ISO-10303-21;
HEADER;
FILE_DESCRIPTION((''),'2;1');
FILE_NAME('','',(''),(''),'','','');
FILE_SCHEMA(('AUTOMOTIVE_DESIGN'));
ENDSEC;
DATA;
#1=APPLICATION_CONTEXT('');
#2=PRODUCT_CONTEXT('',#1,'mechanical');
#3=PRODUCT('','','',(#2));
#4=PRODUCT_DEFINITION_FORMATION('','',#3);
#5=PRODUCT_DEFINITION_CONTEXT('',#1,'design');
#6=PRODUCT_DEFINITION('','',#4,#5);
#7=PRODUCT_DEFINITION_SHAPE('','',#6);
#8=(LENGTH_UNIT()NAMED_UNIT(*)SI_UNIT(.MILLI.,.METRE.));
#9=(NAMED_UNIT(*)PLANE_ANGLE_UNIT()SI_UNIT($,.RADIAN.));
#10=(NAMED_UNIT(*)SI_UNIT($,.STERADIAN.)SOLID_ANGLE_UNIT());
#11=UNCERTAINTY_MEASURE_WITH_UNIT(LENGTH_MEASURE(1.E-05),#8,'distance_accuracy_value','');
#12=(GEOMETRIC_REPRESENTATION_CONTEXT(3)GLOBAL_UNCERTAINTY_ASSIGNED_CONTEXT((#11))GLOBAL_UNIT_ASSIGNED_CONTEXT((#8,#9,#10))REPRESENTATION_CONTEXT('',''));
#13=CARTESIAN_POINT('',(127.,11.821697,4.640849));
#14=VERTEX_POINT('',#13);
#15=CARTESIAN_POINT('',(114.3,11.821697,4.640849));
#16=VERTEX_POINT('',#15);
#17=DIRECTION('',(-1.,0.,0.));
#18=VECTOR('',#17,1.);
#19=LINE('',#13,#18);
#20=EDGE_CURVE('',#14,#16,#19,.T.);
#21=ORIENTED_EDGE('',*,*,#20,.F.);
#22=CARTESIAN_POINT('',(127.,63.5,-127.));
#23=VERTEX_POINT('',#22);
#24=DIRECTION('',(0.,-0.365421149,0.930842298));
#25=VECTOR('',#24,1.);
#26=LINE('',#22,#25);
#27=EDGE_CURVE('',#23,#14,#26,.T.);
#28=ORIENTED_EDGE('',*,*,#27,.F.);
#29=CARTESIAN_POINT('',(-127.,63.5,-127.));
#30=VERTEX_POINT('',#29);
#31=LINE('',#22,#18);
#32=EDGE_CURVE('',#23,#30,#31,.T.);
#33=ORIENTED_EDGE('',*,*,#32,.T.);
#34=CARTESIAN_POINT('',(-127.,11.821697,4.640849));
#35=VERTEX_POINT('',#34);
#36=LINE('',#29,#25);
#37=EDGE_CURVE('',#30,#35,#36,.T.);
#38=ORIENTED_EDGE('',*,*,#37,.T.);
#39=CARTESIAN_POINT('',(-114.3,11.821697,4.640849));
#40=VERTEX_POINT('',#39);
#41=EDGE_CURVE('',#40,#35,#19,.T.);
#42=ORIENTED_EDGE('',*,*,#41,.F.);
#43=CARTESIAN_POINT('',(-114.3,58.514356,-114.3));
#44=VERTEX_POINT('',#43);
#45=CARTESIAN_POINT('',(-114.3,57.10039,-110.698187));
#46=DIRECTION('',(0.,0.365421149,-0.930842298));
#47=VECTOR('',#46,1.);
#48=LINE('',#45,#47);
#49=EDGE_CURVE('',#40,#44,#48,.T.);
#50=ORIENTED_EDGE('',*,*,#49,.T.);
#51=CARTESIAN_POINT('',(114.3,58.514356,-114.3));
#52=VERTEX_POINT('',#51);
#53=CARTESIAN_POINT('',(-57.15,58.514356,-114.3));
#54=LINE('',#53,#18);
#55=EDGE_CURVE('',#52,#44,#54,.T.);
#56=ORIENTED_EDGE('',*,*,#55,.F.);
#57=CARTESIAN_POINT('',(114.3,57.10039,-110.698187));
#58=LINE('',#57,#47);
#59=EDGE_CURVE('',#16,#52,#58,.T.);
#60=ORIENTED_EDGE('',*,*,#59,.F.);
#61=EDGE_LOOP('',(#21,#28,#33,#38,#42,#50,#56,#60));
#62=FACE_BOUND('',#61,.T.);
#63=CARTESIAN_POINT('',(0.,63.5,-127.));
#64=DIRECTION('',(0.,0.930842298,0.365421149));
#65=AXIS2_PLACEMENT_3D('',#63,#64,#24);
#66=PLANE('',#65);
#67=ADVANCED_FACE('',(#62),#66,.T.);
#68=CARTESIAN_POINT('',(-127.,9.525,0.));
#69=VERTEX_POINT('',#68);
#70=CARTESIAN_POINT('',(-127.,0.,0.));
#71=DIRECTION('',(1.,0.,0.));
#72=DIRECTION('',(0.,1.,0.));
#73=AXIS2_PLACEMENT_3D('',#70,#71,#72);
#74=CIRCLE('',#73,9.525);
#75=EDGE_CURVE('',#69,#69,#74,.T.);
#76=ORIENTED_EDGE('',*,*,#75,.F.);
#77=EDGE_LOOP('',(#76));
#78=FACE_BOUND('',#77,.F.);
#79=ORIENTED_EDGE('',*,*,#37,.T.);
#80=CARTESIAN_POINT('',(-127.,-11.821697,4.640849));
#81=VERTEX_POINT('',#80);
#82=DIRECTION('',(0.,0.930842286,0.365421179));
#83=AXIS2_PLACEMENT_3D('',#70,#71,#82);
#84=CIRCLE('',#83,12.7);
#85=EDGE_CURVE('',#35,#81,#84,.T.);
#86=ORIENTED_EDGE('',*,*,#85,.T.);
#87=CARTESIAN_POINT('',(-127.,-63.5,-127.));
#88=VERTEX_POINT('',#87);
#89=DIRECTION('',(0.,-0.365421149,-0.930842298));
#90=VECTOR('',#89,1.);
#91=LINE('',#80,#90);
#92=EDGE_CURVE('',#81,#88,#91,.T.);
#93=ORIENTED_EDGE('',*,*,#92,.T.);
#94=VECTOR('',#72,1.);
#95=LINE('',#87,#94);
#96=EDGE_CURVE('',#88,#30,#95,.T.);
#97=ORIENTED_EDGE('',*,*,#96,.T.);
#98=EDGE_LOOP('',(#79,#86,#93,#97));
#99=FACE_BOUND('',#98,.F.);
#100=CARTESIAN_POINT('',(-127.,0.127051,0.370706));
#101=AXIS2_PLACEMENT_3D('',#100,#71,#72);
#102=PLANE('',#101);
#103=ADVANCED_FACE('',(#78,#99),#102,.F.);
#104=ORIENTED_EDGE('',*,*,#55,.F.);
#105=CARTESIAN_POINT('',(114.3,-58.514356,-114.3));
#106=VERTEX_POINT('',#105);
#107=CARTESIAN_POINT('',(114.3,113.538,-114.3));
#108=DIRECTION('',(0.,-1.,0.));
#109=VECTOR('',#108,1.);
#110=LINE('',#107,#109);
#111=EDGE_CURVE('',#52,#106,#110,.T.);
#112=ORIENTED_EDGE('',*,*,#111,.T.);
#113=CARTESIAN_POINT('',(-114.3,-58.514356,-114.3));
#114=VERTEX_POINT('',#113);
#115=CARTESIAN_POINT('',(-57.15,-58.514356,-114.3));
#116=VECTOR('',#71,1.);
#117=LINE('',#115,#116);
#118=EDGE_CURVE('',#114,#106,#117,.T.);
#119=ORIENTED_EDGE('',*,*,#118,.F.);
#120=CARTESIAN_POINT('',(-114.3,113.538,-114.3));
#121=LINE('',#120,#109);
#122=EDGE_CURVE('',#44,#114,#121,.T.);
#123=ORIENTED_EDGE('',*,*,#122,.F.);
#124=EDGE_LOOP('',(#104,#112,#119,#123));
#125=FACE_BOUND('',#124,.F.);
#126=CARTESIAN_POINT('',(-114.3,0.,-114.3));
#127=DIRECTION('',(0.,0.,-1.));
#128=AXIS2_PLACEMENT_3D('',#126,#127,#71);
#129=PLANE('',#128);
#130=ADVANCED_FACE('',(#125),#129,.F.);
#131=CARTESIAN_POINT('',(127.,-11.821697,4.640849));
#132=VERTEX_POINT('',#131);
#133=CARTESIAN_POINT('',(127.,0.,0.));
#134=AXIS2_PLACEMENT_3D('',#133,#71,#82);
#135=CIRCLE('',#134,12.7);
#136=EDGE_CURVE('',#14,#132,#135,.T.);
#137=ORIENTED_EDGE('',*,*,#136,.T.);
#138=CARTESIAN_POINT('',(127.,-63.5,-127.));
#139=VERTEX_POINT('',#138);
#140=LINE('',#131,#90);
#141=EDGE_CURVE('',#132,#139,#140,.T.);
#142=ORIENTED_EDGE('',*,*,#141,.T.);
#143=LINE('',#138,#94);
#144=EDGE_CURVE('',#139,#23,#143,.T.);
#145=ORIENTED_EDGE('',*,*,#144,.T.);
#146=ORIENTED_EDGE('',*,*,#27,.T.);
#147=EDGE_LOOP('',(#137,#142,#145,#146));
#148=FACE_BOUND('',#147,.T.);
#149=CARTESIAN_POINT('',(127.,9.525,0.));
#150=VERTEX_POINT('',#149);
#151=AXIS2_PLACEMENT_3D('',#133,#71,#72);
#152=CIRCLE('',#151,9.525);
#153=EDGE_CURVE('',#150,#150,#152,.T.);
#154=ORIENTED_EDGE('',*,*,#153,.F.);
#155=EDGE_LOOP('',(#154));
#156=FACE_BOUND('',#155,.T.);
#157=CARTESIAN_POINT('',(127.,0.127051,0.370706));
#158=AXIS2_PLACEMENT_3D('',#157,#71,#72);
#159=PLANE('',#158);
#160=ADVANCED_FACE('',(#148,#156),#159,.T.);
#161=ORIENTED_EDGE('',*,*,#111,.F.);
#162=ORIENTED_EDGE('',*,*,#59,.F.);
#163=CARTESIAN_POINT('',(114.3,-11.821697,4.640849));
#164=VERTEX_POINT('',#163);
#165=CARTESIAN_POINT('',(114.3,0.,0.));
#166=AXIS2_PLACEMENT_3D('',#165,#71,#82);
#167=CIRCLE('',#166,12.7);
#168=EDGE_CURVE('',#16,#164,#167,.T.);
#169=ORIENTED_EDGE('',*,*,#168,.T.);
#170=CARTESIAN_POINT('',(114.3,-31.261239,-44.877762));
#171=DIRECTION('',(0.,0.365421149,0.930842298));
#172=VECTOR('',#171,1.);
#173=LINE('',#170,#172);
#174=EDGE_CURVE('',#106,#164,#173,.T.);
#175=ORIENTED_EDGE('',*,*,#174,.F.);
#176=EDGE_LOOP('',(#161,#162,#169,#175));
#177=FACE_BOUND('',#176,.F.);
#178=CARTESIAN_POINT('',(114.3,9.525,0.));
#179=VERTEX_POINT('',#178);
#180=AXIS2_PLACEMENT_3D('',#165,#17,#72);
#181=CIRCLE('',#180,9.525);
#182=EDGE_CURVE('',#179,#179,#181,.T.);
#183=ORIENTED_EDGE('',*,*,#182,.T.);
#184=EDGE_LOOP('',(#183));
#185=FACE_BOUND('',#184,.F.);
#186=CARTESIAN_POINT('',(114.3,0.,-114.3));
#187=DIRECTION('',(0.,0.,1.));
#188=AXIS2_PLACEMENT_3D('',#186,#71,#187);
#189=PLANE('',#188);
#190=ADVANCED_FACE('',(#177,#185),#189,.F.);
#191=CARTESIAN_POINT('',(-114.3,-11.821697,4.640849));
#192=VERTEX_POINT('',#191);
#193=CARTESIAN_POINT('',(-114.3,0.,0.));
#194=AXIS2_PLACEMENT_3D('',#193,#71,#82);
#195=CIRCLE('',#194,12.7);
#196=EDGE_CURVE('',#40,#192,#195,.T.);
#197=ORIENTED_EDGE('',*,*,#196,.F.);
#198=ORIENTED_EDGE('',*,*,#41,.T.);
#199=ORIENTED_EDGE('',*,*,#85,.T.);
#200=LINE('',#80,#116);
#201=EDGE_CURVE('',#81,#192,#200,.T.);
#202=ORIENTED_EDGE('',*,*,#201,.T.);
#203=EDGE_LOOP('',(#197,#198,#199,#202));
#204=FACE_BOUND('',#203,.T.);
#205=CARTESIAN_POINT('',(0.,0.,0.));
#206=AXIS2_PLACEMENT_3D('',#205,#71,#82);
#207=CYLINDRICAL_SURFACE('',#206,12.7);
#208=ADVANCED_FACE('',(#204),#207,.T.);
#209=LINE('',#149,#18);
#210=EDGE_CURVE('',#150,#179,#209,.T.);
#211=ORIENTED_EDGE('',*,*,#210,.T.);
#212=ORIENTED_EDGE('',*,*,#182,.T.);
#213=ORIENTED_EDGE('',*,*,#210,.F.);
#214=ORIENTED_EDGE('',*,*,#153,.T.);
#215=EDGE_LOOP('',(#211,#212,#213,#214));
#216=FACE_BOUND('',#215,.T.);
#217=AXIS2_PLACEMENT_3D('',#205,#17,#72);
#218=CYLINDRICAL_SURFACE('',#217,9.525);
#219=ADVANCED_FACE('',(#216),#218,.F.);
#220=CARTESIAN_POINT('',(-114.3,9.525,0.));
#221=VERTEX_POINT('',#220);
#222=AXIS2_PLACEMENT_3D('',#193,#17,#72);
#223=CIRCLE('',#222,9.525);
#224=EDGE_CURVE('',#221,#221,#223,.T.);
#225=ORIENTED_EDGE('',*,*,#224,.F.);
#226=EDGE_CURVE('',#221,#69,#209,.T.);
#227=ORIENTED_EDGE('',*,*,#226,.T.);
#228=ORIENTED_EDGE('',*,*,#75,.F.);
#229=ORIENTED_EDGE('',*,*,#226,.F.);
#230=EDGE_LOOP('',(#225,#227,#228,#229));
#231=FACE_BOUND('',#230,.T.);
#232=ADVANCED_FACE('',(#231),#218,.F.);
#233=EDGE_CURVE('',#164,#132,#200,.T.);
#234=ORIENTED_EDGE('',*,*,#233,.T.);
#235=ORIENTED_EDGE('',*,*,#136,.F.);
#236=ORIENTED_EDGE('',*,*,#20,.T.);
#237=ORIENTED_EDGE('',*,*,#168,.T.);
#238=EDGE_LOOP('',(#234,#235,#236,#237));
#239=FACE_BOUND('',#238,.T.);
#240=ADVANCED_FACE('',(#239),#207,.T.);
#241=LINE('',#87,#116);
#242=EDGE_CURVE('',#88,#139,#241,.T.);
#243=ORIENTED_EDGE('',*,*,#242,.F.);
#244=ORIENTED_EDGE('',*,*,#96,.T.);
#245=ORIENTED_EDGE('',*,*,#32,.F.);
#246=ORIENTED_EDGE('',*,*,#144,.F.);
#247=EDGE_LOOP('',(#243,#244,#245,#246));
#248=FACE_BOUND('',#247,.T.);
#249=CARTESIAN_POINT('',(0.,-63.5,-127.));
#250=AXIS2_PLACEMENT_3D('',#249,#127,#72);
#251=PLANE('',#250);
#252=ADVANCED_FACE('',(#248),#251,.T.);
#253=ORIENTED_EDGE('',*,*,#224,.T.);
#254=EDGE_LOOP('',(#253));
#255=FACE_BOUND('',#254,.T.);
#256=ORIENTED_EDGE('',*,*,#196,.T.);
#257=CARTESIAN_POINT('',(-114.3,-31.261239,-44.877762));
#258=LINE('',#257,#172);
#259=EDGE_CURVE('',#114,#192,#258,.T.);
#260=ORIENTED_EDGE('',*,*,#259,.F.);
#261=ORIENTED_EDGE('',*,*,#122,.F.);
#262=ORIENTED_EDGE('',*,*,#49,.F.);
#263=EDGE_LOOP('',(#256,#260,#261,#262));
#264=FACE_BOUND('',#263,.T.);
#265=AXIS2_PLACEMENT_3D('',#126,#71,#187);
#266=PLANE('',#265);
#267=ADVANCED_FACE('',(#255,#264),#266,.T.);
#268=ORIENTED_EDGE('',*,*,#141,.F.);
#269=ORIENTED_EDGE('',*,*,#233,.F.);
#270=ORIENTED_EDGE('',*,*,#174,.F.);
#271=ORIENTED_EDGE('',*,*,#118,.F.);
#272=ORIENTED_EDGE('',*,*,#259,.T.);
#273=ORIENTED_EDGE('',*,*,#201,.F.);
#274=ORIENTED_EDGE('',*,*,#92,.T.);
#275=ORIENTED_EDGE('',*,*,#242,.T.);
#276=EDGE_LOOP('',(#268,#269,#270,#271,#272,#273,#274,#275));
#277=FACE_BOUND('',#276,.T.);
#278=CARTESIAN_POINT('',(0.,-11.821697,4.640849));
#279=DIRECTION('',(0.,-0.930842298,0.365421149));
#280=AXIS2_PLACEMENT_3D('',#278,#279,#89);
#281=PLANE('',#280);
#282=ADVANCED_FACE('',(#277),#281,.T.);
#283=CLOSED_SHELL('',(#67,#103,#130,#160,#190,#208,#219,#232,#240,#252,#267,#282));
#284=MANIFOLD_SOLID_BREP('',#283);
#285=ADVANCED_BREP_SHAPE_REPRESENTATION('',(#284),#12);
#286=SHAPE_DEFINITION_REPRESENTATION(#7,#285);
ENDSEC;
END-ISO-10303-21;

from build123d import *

# Parameters (mm, degrees)
F0_R     = 9.525
F1_DEPTH = 127
F2_W     = 228.6
F2_H     = 152.4
F3_DEPTH = 113.538


with BuildPart() as f1:
    # F0 (on Right) → F1 (new body, symmetric)
    with BuildSketch(Plane.YZ):
        with BuildLine():
            ThreePointArc((-11.821697, 4.640849), (-2.361614, -12.478493), (12.7, 0))
            ThreePointArc((12.7, 0), (12.478493, 2.361614), (11.821697, 4.640849))
            ThreePointArc((11.821697, 4.640849), (0, 12.7), (-11.821697, 4.640849))
        make_face()
        Circle(F0_R, mode=Mode.SUBTRACT)
        with BuildLine():
            ThreePointArc((11.821697, 4.640849), (12.478493, 2.361614), (12.7, 0))
            ThreePointArc((12.7, 0), (-2.361614, -12.478493), (-11.821697, 4.640849))
            Line((-11.821697, 4.640849), (-63.5, -127))
            Line((-63.5, -127), (63.5, -127))
            Line((63.5, -127), (11.821697, 4.640849))
        make_face()
    extrude(amount=F1_DEPTH, both=True)

    # F2 (on Front) → F3 (cut, symmetric)
    with BuildSketch(Plane.XZ):
        with Locations((0, -38.1)):
            Rectangle(F2_W, F2_H)
    extrude(amount=F3_DEPTH, both=True, mode=Mode.SUBTRACT)


solid = f1.part
